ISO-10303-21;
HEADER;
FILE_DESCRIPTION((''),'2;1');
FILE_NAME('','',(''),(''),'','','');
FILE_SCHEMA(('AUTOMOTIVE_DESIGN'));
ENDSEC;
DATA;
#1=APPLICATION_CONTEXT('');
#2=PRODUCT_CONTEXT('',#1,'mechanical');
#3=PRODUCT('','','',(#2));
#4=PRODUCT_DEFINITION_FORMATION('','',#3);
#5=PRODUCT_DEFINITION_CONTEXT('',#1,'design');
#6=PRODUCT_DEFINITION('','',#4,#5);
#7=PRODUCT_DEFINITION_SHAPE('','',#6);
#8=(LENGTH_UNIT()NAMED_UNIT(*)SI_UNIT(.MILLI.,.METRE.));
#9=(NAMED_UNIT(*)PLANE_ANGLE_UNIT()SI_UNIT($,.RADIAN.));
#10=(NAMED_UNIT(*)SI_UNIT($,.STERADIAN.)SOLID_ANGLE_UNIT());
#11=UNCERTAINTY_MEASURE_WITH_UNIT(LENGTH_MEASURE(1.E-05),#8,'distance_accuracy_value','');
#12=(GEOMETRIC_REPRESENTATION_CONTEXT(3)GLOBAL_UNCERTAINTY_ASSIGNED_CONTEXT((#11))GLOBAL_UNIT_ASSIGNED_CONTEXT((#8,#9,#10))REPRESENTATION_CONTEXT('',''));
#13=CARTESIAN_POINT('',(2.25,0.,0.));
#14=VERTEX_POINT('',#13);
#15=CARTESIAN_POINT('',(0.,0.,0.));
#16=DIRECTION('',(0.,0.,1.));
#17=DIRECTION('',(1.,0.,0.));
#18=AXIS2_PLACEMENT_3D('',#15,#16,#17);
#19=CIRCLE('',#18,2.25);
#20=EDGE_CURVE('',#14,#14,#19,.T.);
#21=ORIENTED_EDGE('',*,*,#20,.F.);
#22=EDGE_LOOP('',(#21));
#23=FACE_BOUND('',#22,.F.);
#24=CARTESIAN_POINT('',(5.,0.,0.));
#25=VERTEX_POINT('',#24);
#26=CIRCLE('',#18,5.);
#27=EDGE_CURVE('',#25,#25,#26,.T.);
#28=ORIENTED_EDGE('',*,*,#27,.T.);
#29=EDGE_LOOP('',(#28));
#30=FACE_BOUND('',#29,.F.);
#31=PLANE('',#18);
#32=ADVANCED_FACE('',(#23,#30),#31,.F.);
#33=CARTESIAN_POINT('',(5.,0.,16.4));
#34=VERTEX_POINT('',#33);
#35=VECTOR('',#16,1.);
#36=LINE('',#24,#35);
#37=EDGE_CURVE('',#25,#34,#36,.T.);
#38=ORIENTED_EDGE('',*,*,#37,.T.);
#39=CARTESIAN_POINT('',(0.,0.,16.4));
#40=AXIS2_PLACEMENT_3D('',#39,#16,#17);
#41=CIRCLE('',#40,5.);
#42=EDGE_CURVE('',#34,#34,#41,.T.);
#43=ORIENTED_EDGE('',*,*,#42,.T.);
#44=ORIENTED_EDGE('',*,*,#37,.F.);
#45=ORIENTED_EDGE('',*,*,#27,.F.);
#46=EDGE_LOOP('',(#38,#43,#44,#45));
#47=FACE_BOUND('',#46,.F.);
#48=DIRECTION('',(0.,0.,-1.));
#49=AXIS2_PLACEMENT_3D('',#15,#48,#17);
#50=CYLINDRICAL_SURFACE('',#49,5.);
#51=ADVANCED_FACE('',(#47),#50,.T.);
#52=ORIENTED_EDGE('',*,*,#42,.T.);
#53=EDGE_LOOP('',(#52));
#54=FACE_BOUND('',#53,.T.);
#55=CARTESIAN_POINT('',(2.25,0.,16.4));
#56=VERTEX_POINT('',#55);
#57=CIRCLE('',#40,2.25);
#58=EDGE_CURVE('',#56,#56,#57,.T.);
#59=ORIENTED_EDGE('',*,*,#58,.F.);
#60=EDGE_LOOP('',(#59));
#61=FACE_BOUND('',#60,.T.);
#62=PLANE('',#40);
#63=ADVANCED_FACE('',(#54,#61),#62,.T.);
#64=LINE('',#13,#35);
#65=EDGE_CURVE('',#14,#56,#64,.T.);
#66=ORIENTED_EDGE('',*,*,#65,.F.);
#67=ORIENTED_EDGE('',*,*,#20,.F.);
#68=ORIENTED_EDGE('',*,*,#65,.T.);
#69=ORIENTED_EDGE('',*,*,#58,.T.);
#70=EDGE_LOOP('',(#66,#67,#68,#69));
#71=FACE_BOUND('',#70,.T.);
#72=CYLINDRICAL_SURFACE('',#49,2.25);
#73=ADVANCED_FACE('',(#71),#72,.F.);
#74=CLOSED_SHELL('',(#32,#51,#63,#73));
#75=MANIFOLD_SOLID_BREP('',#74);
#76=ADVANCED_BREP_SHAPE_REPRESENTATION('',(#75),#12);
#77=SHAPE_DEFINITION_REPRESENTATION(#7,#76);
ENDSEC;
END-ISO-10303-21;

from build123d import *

# Parameters (mm, degrees)
SKETCH_R   = 5
SKETCH_R_2 = 2.25
PAD_DEPTH  = 16.4


with BuildPart() as part:
    # Sketch → Pad (new body)
    with BuildSketch(Plane.XY):
        Circle(SKETCH_R)
        Circle(SKETCH_R_2, mode=Mode.SUBTRACT)
    extrude(amount=PAD_DEPTH)


solid = part.part
